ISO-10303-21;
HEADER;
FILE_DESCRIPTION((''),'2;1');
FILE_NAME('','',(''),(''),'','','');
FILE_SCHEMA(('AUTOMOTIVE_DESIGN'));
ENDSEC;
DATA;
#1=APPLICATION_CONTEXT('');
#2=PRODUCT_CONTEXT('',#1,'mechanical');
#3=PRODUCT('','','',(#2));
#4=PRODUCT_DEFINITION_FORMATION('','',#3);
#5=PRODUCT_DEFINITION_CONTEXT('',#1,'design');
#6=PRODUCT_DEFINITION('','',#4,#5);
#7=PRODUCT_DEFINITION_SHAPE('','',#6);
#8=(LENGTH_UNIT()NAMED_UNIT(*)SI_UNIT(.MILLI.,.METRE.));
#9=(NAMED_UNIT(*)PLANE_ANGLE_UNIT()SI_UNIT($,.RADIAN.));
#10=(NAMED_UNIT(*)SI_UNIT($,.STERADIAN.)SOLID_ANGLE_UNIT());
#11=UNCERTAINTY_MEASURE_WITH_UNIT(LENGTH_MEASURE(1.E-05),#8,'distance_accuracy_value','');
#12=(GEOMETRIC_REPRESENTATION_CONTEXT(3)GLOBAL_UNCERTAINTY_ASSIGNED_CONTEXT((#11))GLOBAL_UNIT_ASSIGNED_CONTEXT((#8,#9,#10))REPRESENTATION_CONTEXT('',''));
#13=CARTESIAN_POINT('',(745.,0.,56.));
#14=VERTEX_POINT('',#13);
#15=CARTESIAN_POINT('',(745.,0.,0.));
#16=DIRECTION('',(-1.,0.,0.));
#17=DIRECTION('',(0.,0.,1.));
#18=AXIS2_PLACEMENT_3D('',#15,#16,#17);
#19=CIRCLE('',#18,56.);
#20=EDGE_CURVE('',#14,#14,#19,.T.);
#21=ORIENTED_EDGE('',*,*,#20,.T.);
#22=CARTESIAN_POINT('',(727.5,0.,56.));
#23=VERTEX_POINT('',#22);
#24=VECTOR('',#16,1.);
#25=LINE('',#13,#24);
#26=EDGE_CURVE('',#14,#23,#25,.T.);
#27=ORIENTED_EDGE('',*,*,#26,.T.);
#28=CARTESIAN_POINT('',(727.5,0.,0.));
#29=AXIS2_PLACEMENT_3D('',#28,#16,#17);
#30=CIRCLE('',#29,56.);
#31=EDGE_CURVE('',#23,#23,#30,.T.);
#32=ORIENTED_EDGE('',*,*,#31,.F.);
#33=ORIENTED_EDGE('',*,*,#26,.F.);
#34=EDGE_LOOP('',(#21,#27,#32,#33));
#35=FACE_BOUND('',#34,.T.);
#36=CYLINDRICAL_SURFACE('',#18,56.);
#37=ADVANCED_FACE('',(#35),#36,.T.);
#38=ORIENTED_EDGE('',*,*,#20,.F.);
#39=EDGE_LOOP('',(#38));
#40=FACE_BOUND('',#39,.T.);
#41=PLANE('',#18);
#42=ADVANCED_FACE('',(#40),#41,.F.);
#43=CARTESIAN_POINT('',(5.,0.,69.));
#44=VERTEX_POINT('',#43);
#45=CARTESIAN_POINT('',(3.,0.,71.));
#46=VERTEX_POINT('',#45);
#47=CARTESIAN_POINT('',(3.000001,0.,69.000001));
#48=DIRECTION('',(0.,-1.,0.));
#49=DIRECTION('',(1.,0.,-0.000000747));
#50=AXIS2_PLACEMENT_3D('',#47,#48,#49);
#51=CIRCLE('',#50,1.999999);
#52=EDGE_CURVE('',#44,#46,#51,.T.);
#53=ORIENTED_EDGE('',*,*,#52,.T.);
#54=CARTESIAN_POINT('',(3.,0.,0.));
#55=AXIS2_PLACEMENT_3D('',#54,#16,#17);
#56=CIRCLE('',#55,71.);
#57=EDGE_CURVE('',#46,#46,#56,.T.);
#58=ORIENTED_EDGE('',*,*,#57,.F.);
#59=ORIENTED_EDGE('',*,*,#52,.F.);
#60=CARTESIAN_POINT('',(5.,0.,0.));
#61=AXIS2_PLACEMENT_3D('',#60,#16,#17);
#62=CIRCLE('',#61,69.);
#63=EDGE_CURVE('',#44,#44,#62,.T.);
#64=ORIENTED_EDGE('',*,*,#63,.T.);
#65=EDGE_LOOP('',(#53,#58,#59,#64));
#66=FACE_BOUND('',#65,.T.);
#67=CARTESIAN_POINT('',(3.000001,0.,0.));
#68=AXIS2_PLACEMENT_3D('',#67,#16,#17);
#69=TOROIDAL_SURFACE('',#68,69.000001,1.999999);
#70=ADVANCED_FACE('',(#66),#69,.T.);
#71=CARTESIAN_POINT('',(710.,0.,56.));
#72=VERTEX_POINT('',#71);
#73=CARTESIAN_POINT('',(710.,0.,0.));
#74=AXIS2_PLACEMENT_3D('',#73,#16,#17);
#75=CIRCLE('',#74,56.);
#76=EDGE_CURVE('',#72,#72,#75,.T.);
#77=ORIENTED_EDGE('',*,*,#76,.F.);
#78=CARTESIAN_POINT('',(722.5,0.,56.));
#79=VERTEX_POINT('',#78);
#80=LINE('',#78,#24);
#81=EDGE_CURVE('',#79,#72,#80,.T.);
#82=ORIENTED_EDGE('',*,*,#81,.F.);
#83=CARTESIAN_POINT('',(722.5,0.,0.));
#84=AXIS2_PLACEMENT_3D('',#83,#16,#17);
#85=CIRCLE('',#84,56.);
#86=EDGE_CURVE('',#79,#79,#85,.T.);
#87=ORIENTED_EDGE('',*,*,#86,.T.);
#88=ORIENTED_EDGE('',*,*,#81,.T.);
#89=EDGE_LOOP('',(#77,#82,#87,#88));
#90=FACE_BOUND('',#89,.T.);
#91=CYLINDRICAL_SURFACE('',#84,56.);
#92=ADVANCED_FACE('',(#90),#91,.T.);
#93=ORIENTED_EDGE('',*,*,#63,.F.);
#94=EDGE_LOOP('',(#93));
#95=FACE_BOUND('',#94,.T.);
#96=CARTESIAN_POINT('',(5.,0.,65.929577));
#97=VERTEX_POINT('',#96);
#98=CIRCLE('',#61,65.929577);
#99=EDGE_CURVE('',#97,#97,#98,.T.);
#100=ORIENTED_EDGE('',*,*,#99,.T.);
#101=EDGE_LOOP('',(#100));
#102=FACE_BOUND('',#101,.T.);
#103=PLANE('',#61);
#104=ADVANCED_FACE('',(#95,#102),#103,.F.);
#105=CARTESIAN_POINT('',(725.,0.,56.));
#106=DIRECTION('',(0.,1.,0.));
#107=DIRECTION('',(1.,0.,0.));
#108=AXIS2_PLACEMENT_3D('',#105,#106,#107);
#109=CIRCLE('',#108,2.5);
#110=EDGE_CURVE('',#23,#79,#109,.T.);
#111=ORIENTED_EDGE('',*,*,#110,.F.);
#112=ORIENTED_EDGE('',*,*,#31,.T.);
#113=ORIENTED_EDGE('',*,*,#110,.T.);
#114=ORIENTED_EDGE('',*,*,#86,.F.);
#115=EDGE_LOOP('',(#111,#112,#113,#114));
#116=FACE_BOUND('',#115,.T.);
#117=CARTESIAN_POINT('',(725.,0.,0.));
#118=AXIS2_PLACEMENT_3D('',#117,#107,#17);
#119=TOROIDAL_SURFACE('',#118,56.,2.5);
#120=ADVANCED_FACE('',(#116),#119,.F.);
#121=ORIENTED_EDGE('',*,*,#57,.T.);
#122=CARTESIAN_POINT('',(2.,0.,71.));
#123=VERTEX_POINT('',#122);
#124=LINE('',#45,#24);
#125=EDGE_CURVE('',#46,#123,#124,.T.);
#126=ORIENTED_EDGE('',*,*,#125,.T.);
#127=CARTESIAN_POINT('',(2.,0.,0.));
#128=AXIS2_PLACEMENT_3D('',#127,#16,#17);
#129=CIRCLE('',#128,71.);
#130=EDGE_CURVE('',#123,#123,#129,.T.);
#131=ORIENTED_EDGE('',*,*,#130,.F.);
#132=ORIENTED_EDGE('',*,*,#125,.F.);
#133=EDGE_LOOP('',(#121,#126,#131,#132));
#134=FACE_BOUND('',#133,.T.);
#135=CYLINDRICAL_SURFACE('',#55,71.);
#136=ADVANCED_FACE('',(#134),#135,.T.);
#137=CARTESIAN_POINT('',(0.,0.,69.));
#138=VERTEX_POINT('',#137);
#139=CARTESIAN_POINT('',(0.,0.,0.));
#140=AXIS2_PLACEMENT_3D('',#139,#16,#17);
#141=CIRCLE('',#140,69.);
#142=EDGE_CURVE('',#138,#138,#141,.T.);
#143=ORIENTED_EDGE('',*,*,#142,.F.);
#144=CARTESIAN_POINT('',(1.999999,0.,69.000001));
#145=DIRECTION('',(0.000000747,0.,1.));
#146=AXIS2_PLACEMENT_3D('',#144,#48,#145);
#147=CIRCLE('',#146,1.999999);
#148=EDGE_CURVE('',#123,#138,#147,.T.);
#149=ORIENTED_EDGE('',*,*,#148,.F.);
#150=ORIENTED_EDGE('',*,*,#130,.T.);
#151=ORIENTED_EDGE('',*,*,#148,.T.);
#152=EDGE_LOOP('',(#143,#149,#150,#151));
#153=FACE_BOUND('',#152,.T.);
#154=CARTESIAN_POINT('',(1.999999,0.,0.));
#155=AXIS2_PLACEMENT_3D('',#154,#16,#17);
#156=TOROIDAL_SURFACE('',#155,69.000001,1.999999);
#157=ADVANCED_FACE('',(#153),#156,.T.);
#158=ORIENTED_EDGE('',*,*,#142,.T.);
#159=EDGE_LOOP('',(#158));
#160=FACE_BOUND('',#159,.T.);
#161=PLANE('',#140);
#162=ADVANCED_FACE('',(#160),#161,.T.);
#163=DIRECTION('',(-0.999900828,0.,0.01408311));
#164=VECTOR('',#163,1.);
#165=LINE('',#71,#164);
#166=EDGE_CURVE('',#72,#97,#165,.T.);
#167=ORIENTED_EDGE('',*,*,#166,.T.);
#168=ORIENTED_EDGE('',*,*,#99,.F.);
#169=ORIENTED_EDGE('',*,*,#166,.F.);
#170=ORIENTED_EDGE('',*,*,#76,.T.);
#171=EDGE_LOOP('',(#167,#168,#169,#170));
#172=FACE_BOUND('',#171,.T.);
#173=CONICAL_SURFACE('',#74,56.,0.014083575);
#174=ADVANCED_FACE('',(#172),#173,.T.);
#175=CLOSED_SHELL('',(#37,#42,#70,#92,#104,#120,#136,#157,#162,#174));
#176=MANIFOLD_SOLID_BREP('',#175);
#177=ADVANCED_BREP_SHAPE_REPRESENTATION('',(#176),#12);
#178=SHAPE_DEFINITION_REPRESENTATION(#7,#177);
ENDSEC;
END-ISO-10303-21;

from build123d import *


with BuildPart() as f1:
    # F0 (on Front) → F1 (revolve)
    with BuildSketch(Plane.XZ):
        Polygon((0, 66), (0, 0), (710, 0), (710, 56), (5, 65.929577), align=None)
        with BuildLine():
            Line((710, 56), (710, 0))
            Line((710, 0), (745, 0))
            Line((745, 0), (745, 56))
            Line((745, 56), (727.5, 56))
            ThreePointArc((727.5, 56), (725, 53.5), (722.5, 56))
            Line((722.5, 56), (710, 56))
        make_face()
        with BuildLine():
            Line((0, 69), (0, 66))
            Line((0, 66), (5, 65.929577))
            Line((5, 65.929577), (5, 69))
            ThreePointArc((5, 69), (4.414214, 70.414214), (3, 71))
            Line((3, 71), (2, 71))
            ThreePointArc((2, 71), (0.585786, 70.414214), (0, 69))
        make_face()
    revolve(axis=Axis((355, 0, 0), (-1, 0, 0)))


solid = f1.part
